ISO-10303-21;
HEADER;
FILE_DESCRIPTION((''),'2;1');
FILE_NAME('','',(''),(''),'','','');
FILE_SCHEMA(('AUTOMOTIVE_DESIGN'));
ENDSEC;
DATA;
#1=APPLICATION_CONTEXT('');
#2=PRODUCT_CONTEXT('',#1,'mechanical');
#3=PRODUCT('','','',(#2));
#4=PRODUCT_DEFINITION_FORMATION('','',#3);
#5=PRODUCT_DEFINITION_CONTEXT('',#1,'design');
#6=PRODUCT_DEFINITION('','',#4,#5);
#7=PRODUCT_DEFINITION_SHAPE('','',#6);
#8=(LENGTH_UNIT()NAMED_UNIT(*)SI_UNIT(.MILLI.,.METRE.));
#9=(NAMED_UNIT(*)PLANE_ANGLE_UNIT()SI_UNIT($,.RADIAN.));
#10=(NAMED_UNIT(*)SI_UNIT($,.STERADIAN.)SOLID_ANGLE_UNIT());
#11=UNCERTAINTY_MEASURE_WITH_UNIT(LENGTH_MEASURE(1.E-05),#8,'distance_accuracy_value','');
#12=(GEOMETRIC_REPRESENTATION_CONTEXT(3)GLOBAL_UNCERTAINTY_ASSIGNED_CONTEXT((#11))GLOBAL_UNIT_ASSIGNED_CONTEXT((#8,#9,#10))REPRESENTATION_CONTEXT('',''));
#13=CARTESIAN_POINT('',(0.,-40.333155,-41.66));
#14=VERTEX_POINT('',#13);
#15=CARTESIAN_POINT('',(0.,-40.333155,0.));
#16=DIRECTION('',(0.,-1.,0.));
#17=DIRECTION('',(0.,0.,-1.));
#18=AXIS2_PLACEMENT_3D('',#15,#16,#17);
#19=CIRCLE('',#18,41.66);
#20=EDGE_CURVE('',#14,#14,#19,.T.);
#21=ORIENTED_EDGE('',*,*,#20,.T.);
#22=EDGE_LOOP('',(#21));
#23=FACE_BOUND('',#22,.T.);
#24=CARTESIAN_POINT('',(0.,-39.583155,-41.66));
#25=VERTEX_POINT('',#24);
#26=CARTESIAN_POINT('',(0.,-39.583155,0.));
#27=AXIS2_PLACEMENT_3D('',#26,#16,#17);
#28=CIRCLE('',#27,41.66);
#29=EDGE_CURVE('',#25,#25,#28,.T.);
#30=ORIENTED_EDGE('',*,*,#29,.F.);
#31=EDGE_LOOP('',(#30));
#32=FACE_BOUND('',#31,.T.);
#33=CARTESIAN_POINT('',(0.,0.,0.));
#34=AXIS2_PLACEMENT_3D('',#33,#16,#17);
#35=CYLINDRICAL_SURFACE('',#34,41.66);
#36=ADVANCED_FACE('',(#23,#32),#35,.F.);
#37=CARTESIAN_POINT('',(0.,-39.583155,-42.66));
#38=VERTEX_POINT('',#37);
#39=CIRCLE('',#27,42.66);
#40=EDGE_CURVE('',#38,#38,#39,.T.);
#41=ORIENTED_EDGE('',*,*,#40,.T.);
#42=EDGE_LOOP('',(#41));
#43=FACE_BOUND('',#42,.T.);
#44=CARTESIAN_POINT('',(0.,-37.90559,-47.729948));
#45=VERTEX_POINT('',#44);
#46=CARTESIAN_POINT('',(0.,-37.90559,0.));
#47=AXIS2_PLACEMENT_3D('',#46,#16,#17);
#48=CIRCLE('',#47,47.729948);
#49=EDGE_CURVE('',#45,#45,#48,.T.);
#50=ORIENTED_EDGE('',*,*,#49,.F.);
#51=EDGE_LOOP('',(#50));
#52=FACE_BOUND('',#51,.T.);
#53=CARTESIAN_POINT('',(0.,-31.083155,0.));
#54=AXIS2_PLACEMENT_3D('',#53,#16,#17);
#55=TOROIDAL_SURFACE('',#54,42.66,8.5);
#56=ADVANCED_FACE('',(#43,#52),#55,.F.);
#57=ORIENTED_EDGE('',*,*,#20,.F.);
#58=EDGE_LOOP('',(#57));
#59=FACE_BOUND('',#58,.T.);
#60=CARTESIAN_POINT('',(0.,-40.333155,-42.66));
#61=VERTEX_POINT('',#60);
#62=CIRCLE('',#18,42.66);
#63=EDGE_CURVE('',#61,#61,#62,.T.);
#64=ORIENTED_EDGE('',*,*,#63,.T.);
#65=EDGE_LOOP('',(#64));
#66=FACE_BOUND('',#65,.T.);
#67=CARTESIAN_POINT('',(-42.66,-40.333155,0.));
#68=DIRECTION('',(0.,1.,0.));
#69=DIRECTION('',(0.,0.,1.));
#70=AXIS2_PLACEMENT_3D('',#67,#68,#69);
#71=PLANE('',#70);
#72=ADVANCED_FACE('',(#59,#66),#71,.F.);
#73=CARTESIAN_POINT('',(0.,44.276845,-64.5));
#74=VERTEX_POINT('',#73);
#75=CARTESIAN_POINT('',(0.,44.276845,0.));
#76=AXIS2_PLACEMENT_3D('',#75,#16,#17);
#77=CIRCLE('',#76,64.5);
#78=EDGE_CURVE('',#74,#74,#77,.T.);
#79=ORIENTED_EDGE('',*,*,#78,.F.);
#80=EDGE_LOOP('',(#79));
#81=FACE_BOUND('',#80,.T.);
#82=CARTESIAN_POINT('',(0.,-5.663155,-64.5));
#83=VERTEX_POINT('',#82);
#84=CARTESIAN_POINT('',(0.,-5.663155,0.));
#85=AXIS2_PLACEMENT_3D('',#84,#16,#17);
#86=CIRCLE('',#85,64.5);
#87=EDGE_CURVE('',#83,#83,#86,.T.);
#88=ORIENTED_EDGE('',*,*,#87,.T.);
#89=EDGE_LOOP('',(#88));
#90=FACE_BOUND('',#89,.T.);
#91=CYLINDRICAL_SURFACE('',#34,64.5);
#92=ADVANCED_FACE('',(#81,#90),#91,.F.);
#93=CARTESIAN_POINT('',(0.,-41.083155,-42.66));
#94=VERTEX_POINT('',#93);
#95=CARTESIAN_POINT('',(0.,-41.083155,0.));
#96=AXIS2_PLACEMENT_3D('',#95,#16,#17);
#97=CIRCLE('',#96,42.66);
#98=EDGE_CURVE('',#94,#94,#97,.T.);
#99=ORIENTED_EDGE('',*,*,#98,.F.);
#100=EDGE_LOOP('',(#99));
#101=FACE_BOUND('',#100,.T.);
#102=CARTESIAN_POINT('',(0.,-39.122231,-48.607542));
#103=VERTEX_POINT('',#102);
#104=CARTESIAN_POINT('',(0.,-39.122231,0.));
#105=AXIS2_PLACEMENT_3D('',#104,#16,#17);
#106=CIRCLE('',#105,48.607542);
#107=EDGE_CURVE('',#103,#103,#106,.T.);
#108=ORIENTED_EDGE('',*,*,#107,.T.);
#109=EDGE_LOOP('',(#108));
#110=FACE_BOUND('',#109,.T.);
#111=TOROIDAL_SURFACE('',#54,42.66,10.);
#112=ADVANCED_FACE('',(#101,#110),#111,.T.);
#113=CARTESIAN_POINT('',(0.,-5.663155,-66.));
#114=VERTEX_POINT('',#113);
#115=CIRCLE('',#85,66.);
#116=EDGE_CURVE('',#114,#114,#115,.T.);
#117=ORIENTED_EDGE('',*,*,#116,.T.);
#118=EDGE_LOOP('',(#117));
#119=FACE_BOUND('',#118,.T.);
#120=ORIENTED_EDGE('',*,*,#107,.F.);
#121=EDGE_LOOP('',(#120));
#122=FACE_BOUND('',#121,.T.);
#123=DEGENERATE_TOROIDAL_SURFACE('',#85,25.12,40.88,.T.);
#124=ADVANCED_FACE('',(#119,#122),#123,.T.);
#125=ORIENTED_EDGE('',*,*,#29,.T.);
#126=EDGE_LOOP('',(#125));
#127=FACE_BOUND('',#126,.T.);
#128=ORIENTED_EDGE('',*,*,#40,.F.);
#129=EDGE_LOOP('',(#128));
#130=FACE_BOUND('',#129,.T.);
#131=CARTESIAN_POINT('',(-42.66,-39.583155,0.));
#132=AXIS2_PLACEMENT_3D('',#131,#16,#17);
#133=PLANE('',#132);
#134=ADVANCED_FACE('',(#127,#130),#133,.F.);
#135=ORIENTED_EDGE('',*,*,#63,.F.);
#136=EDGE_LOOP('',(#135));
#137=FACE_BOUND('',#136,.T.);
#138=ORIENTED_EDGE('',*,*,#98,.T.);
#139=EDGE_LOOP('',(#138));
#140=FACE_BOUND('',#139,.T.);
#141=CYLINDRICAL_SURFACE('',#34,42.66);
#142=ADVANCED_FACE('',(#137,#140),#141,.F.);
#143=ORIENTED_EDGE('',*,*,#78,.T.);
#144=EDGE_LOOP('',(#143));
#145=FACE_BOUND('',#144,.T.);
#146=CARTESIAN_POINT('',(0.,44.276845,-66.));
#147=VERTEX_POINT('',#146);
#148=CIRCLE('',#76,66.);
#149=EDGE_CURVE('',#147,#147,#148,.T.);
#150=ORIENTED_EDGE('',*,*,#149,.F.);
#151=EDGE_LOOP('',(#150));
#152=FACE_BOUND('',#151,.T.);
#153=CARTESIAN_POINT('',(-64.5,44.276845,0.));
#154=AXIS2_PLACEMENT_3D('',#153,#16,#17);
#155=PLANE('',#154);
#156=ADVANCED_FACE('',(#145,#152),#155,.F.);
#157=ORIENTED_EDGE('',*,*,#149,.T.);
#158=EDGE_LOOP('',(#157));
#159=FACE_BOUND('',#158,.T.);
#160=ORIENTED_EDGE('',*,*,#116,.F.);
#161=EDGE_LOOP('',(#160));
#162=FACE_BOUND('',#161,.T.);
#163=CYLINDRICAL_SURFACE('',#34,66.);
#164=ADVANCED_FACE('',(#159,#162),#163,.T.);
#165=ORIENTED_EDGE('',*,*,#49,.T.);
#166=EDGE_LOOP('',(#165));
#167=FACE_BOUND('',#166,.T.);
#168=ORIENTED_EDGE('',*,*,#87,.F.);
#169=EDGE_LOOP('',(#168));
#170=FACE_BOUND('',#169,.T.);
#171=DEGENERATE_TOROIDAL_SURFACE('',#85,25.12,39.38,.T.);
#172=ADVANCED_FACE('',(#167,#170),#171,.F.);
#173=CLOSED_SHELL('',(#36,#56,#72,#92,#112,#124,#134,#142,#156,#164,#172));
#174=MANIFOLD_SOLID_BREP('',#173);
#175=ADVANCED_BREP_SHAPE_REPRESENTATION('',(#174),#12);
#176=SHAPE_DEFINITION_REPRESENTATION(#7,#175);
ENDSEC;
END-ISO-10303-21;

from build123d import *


with BuildPart() as part:
    # Çizim1 → Döndür1 (revolve)
    with BuildSketch(Plane.XY, mode=Mode.PRIVATE) as d_nd_r1_sk:
        with BuildLine():
            Line((-64.5, 44.27684507), (-64.5, -5.66315493))
            ThreePointArc((-64.5, -5.66315493), (-60.056829884, -23.834624811), (-47.729948316, -37.905590277))
            ThreePointArc((-47.729948316, -37.905590277), (-45.330140403, -39.15287303), (-42.66, -39.58315493))
            Line((-42.66, -39.58315493), (-41.66, -39.58315493))
            Line((-41.66, -39.58315493), (-41.66, -40.33315493))
            Line((-41.66, -40.33315493), (-42.66, -40.33315493))
            Line((-42.66, -40.33315493), (-42.66, -41.08315493))
            ThreePointArc((-42.66, -41.08315493), (-45.791233173, -40.580279695), (-48.607542423, -39.122230693))
            ThreePointArc((-48.607542423, -39.122230693), (-61.392201024, -24.51791117), (-66, -5.66315493))
            Line((-66, -5.66315493), (-66, 44.27684507))
            Line((-66, 44.27684507), (-64.5, 44.27684507))
        make_face()
    revolve(d_nd_r1_sk.sketch.rotate(Axis((0, 0, 0), (0, 1, 0)), 270), axis=Axis((0, 0, 0), (0, 1, 0)))


solid = part.part
